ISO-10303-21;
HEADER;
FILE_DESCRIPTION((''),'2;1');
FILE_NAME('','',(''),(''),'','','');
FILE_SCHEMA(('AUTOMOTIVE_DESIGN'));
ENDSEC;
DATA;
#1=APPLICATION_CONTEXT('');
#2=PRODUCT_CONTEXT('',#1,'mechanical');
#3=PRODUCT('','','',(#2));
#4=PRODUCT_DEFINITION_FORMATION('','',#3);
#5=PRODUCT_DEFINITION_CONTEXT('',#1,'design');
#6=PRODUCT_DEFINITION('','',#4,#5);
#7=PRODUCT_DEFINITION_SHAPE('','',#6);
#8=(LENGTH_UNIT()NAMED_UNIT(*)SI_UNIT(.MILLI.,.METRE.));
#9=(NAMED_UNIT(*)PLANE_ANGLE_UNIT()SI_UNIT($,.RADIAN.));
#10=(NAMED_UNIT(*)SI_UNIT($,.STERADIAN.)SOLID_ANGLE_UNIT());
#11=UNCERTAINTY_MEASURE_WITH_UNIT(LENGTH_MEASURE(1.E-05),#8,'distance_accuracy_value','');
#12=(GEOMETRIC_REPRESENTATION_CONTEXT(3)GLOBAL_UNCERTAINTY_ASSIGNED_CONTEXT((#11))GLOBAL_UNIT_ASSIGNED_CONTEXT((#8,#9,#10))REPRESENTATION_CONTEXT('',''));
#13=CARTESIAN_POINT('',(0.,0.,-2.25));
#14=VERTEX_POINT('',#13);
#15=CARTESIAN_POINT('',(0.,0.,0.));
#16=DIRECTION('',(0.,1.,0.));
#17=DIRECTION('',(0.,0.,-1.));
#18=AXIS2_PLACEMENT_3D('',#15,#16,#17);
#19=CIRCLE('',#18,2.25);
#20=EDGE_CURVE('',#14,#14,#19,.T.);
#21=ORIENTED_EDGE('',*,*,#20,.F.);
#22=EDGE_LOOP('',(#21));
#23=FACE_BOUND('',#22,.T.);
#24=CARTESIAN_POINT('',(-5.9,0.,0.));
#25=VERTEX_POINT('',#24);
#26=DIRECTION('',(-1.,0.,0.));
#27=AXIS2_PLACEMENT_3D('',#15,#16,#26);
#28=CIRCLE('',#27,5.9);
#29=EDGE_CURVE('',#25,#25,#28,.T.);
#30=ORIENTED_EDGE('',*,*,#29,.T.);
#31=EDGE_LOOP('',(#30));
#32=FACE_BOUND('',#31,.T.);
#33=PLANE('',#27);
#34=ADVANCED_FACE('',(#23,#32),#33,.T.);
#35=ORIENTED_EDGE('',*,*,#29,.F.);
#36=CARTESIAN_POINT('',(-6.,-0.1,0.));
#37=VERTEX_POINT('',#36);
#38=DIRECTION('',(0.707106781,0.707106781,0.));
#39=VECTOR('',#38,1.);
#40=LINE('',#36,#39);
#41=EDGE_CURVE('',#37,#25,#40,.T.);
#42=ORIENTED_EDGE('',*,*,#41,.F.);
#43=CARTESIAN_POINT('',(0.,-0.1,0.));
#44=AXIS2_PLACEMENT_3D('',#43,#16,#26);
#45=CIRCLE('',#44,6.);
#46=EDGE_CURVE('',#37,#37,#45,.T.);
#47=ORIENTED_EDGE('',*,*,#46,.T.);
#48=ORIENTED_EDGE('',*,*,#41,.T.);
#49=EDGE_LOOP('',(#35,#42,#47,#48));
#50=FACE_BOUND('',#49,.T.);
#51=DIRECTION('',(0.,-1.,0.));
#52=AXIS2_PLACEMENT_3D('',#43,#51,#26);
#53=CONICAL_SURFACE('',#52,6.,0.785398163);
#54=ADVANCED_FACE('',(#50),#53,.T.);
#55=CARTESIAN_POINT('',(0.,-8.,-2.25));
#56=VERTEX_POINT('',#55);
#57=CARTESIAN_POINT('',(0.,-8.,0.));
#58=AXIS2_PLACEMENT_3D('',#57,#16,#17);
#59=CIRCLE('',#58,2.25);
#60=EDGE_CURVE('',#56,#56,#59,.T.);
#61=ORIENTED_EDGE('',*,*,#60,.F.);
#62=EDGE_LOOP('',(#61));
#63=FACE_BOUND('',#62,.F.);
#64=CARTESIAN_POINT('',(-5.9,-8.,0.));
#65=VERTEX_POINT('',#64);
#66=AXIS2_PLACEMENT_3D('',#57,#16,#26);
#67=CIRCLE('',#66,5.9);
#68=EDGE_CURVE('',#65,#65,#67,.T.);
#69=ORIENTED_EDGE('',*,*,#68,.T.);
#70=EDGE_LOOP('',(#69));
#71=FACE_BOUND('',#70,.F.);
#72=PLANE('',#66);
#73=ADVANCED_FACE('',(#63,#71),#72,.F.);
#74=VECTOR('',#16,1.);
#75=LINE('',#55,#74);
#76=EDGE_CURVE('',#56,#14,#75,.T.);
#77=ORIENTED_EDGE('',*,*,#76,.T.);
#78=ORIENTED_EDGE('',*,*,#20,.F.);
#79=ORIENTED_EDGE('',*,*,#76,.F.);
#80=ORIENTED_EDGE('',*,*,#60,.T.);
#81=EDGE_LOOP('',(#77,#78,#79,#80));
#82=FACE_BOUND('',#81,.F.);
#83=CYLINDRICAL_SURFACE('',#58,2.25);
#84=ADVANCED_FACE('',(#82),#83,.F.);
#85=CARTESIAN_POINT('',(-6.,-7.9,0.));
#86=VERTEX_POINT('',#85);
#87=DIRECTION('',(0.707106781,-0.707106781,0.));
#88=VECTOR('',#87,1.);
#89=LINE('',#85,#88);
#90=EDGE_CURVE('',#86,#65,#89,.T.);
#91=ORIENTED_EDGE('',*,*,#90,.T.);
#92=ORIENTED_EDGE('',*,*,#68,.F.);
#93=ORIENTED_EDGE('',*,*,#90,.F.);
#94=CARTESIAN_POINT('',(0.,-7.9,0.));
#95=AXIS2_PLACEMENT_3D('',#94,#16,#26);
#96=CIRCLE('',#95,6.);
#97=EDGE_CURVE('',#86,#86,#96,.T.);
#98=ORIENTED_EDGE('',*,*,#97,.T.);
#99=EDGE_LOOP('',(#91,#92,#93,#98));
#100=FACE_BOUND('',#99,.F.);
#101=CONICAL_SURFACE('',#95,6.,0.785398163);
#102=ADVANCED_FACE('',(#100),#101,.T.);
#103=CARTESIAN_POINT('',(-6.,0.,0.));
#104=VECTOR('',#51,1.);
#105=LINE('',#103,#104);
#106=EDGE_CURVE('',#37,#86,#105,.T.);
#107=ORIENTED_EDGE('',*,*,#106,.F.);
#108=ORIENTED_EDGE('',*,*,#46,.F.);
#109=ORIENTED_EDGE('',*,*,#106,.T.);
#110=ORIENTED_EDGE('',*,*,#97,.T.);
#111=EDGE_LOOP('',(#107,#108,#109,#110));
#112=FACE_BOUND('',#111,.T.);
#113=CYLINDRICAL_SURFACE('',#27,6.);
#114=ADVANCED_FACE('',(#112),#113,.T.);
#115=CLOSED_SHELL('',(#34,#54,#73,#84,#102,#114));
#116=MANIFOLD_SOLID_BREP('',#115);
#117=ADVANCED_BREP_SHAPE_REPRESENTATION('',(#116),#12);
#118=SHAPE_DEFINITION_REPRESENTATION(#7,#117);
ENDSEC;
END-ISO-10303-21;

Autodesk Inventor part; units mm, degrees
ref_plane "YZ Plane" through (0, 0, 0) normal (1, 0, 0) x (0, 1, 0)
ref_plane "XZ Plane" through (0, 0, 0) normal (0, 1, 0) x (-1, 0, 0)
ref_plane "XY Plane" through (0, 0, 0) normal (0, 0, 1) x (1, 0, 0)
sketch "Sketch1" plane through (0, 0, 0) normal (0, 1, 0) x (-1, 0, 0)
  circle A0 centre (0, 0) radius 6
  dimension "d0" = 12
extrude "Extrusion1" add sketch "Sketch1" against normal blind 8
chamfer "Chamfer1" distance 0.1 angle 45 2 edges at (6, -8, 0) (6, 0, 0)
sketch "Sketch2" plane through (0, -8, 0) normal (0, -1, 0) x (1, 0, 0)
  point P0 (0, 0)
hole "Hole1" at (0, -8, 0) direction (0, 1, 0) diameter 4.5 end through all
properties part number "13-0004" material "Polystyrene, High Impact"
